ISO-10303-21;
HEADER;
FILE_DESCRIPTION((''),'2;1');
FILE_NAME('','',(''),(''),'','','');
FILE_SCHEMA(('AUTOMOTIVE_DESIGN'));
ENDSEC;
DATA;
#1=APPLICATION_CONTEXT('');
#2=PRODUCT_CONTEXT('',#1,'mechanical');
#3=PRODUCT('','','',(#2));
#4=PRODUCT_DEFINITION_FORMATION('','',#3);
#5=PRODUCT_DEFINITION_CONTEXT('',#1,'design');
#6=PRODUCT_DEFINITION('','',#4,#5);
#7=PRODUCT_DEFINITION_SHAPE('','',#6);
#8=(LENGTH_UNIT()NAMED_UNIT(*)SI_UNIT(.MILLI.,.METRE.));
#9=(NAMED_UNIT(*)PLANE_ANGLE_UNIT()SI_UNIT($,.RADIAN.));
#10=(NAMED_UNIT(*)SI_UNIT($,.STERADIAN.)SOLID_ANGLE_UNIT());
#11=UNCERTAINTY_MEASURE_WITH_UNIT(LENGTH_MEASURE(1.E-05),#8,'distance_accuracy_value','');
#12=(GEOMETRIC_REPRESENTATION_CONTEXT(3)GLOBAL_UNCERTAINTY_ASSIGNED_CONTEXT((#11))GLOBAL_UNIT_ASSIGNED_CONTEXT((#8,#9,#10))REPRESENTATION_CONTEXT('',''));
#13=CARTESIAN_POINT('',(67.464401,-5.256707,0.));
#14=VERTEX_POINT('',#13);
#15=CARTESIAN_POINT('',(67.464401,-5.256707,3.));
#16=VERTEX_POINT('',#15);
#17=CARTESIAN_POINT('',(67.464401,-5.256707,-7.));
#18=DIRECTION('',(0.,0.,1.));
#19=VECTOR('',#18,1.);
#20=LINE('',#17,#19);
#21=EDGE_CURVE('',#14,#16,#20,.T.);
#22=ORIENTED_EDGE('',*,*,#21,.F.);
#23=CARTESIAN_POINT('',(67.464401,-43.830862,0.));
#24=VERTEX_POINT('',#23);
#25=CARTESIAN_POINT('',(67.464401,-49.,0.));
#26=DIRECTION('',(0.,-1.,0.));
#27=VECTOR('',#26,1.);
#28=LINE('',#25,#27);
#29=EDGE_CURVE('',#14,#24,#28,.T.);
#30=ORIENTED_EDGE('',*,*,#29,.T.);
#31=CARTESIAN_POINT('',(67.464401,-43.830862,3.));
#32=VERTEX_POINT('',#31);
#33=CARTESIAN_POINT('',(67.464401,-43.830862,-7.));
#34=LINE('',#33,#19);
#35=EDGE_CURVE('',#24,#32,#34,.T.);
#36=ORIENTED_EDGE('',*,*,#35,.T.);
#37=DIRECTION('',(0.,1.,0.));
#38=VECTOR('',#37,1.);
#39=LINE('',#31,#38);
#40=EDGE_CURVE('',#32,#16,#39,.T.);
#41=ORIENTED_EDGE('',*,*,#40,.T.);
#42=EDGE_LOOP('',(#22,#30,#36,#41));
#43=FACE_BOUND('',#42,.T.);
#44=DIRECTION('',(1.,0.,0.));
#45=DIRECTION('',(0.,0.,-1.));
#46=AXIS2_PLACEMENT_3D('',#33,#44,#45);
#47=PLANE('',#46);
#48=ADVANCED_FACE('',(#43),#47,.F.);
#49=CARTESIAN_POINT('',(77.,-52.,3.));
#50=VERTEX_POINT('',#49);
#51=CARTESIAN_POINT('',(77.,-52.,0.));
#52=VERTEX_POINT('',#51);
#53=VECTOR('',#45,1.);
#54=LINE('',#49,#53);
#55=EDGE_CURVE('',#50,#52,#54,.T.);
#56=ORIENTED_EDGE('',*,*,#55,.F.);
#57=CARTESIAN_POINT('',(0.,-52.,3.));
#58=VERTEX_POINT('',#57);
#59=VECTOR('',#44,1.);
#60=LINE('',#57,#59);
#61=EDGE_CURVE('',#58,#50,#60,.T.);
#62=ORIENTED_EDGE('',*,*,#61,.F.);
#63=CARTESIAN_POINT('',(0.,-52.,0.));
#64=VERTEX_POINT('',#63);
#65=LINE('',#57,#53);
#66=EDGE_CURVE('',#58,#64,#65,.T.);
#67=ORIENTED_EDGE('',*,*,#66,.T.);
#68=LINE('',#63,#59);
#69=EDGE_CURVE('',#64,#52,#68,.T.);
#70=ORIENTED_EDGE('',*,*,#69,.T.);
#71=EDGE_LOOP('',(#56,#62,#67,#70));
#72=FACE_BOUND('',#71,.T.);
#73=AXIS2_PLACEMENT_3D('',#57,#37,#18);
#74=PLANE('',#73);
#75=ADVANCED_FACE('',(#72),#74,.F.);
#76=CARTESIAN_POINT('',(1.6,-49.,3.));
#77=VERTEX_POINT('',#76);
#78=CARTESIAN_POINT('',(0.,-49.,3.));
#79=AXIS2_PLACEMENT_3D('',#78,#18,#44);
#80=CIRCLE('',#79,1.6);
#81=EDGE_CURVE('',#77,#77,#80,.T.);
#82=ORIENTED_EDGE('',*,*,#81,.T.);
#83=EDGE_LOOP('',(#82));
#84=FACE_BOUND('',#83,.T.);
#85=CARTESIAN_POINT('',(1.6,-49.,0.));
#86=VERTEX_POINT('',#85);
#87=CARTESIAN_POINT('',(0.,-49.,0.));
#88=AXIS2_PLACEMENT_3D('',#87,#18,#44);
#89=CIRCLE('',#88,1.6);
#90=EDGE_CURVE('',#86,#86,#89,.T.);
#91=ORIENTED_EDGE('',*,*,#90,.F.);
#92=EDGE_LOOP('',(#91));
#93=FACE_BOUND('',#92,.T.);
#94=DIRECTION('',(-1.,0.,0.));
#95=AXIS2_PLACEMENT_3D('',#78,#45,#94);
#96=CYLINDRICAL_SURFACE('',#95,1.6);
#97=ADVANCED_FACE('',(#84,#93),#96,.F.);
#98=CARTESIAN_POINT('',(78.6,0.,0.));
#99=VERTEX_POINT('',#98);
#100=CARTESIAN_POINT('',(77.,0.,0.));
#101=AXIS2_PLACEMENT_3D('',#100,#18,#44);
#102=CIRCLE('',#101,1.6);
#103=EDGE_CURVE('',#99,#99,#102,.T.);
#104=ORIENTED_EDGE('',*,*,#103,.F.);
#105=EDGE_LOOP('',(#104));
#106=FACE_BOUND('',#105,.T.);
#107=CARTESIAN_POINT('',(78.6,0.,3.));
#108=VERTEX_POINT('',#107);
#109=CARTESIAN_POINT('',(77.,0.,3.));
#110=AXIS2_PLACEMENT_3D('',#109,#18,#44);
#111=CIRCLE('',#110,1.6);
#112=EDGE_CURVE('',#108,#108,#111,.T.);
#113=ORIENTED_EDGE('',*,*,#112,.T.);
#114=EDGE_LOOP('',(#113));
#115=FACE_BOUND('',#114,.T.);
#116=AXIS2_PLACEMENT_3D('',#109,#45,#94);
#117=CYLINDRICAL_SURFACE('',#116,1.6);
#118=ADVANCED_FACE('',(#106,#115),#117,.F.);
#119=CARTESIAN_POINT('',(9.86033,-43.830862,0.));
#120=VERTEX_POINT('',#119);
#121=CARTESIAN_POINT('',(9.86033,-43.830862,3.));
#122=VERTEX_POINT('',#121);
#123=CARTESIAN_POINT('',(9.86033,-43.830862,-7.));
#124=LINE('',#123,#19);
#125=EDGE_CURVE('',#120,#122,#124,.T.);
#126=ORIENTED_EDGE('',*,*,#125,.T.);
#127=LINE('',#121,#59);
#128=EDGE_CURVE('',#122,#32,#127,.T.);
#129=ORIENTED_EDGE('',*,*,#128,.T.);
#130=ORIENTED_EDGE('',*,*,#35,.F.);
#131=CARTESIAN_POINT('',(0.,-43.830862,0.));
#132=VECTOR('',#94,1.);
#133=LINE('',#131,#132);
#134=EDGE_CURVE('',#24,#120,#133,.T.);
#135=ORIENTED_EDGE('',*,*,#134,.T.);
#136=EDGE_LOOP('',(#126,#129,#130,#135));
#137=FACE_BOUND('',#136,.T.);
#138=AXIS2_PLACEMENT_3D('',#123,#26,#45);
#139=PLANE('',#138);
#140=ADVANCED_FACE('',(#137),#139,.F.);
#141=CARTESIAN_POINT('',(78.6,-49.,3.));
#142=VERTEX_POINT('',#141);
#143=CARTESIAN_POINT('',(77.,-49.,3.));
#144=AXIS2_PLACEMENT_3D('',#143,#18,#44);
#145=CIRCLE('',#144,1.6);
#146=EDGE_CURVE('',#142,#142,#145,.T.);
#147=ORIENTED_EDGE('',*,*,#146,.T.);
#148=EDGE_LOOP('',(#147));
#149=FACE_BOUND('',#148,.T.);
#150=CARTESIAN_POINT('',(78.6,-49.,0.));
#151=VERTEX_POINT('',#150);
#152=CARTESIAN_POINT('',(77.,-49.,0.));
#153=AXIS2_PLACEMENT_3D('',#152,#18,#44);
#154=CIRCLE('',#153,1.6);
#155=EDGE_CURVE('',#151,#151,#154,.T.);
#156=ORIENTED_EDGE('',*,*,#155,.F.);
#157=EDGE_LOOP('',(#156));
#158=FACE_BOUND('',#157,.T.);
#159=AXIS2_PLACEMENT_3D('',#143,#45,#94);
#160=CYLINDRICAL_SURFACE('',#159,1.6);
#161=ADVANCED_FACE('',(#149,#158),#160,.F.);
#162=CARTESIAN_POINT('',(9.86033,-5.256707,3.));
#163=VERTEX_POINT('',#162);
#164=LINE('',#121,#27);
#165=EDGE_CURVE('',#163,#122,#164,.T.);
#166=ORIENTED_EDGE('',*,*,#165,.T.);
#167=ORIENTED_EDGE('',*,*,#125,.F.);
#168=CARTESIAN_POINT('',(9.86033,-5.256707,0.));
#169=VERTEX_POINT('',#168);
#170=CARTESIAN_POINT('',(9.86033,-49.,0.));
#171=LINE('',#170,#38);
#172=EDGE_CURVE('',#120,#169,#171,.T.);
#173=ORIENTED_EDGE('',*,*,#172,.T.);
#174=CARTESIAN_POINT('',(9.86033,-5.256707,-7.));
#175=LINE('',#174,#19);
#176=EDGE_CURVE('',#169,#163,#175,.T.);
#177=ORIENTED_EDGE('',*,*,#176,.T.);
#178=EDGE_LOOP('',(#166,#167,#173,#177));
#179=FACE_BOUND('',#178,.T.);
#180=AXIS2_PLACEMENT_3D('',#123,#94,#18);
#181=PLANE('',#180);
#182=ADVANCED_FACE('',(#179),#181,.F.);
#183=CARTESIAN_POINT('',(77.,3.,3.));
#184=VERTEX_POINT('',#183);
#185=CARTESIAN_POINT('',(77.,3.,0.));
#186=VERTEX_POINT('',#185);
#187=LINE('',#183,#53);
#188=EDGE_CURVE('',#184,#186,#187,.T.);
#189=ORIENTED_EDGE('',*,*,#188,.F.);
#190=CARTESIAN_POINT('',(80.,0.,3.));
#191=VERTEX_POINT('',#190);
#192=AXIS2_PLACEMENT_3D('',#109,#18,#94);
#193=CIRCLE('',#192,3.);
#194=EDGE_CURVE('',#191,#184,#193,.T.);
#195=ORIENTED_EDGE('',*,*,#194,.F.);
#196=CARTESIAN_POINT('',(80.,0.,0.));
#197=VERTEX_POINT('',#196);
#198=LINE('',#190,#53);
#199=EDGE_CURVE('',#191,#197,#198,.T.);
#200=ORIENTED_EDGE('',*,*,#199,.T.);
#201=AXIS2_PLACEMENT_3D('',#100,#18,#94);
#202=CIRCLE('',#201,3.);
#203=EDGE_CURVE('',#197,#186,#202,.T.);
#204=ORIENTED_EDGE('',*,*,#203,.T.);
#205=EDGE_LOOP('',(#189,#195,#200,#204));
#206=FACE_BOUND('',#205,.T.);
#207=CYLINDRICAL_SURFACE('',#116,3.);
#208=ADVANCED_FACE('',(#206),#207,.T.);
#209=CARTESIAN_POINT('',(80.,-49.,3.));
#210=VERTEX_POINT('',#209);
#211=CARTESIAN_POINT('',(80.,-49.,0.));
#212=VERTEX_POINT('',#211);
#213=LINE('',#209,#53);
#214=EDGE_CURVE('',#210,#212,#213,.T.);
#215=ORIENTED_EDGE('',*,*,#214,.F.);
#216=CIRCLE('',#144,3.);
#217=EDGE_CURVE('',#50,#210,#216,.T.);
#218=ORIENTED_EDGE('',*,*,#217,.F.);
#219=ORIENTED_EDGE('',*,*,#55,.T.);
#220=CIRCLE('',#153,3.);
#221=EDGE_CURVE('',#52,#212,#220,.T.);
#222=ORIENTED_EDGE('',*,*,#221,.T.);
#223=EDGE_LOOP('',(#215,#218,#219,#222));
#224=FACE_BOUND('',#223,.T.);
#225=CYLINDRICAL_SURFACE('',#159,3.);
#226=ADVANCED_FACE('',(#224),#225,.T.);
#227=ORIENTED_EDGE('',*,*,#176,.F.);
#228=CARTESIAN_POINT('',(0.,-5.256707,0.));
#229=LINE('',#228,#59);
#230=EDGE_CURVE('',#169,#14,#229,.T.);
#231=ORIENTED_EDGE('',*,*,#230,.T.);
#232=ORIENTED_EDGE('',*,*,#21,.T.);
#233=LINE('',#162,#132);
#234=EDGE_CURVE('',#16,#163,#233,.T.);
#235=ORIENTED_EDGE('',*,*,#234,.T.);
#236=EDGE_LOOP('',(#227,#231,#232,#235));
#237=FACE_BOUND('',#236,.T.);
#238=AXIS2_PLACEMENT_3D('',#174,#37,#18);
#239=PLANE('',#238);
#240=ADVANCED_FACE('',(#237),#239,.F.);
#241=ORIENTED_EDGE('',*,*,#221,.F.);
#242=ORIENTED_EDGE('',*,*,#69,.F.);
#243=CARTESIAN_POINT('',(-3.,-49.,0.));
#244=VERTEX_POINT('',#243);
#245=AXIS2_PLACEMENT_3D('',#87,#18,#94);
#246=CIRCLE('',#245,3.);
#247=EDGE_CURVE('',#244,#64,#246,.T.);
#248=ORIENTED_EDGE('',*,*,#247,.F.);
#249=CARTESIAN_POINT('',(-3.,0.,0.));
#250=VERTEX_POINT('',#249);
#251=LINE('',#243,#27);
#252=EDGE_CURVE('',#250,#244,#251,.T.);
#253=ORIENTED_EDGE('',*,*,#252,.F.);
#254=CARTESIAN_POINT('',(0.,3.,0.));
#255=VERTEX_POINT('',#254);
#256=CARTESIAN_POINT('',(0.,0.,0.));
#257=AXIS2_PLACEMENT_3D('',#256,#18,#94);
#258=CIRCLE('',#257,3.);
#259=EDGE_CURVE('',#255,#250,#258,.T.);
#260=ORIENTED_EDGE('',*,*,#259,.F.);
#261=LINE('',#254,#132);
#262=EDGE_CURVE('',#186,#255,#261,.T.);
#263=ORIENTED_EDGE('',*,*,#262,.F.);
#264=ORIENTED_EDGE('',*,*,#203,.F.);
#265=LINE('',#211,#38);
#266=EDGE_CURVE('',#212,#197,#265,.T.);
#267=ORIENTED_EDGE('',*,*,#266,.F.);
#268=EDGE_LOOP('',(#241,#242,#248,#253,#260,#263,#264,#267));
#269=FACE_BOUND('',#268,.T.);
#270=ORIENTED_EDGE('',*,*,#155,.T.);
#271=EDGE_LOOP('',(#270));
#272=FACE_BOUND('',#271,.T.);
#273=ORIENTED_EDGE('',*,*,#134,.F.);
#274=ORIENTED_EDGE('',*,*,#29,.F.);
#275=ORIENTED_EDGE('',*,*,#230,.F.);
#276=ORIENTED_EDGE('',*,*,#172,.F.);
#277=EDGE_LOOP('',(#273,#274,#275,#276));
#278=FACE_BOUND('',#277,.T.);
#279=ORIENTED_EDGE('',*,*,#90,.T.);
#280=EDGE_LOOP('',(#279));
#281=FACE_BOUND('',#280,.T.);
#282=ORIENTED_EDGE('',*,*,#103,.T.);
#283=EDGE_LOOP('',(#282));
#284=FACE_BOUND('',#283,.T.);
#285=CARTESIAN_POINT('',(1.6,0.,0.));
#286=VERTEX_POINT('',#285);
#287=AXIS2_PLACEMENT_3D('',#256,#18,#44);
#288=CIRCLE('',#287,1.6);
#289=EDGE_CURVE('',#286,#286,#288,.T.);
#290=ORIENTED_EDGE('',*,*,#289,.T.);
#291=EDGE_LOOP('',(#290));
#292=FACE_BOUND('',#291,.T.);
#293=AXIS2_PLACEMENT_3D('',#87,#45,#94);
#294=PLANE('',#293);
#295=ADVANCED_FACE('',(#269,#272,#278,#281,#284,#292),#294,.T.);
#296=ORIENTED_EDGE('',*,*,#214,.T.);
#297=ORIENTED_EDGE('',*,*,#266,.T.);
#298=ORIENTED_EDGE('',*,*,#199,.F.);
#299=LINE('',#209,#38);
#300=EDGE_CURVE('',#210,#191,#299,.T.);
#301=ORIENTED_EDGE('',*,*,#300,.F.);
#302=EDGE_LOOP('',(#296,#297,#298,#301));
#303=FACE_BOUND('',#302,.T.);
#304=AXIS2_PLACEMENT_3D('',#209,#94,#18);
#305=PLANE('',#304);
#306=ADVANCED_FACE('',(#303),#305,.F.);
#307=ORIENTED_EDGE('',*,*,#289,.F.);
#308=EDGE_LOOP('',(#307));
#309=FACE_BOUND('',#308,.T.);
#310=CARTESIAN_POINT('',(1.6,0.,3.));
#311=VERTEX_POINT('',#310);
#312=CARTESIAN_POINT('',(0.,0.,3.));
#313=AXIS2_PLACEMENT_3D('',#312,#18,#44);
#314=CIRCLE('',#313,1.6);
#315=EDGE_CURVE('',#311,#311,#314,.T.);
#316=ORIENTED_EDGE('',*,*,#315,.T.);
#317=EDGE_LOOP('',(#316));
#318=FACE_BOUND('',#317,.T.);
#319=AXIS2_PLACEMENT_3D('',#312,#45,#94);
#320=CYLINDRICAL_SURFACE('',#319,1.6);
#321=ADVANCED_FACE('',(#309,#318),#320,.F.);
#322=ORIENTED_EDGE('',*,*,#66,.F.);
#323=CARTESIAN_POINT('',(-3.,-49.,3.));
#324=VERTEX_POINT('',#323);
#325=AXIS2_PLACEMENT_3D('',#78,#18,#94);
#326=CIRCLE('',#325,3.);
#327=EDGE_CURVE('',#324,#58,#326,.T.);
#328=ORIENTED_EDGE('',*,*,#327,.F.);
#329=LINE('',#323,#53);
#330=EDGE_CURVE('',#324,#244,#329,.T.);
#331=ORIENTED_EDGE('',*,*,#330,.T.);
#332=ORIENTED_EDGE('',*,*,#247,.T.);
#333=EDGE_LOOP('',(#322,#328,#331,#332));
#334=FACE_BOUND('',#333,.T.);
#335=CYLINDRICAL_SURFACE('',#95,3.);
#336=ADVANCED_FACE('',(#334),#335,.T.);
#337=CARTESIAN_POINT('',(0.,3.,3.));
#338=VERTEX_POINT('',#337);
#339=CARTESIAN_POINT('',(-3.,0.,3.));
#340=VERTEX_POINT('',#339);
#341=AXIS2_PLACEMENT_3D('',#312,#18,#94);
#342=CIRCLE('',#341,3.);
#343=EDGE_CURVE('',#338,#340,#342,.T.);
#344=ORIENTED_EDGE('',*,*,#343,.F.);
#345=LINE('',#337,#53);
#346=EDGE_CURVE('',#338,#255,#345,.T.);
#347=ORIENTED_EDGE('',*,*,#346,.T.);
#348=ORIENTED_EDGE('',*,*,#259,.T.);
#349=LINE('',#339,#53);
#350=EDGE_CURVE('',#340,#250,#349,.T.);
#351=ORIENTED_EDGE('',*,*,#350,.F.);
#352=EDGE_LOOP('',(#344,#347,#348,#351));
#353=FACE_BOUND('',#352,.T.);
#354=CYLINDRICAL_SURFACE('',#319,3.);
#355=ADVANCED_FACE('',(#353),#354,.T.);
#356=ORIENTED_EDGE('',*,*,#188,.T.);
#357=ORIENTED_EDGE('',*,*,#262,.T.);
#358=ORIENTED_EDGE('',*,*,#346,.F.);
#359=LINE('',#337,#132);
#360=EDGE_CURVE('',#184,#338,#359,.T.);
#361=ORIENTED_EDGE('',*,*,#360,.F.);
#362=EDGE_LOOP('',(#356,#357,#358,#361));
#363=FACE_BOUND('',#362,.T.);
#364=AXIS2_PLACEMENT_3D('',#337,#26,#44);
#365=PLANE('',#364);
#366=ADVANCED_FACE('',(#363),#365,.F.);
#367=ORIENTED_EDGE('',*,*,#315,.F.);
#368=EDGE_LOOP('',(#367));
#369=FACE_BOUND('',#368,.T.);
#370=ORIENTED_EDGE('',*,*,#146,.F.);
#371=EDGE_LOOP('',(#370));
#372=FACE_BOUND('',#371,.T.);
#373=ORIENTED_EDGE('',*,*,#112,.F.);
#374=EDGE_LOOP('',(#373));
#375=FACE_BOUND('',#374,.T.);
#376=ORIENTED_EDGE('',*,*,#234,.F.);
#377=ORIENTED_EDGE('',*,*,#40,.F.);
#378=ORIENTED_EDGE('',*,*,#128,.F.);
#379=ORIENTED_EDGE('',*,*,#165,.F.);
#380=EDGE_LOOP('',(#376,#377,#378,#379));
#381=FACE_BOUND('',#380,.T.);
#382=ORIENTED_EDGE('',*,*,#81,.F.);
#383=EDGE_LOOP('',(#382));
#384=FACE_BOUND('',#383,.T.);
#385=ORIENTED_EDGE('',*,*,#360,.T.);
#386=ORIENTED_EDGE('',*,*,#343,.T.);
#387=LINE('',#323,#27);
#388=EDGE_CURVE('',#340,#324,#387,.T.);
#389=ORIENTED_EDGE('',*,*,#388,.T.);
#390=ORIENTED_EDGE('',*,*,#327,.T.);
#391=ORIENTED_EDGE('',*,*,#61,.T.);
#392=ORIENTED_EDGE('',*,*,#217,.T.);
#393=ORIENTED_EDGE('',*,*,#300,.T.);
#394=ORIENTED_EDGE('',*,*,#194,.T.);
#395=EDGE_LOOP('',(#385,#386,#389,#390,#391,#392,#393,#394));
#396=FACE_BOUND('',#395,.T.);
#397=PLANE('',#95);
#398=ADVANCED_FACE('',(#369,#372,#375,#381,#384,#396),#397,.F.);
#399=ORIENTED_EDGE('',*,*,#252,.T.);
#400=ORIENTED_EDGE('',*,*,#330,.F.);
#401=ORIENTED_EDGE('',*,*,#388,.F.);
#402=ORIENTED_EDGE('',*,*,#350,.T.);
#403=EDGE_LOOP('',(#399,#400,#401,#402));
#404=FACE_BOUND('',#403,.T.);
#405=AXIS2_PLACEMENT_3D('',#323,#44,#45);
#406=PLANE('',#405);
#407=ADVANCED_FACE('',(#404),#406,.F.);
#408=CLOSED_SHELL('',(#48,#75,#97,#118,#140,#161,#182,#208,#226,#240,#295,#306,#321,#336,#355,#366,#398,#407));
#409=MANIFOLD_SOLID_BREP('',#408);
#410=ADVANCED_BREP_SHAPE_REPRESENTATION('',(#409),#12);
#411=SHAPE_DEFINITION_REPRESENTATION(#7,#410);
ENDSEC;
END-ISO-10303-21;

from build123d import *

# Parameters (mm, degrees)
SKETCH_1_R          = 1.6
EXTRUDE_1_DEPTH     = 3
SKETCH_3_W          = 57.604070615
SKETCH_3_H          = 38.574154429
CUT_EXTRUDE_1_DEPTH = 10


with BuildPart() as part:
    # 草图1 → 凸台-拉伸1 (new body)
    with BuildSketch(Plane.XY):
        with BuildLine():
            Line((0, -52), (77, -52))
            ThreePointArc((77, -52), (79.121320344, -51.121320344), (80, -49))
            Line((80, -49), (80, 0))
            ThreePointArc((80, 0), (79.121320344, 2.121320344), (77, 3))
            Line((77, 3), (0, 3))
            ThreePointArc((0, 3), (-2.121320344, 2.121320344), (-3, 0))
            Line((-3, 0), (-3, -49))
            ThreePointArc((-3, -49), (-2.121320344, -51.121320344), (0, -52))
        make_face()
        Circle(SKETCH_1_R, mode=Mode.SUBTRACT)
        with Locations((77, 0)):
            Circle(SKETCH_1_R, mode=Mode.SUBTRACT)
        with Locations((0, -49)):
            Circle(SKETCH_1_R, mode=Mode.SUBTRACT)
        with Locations((77, -49)):
            Circle(SKETCH_1_R, mode=Mode.SUBTRACT)
        with BuildLine():
            Line((16.5, -41.5), (60.5, -41.5))
            ThreePointArc((60.5, -41.5), (62.621320344, -40.621320344), (63.5, -38.5))
            Line((63.5, -38.5), (63.5, -10.5))
            ThreePointArc((63.5, -10.5), (62.621320344, -8.378679656), (60.5, -7.5))
            Line((60.5, -7.5), (16.5, -7.5))
            ThreePointArc((16.5, -7.5), (14.378679656, -8.378679656), (13.5, -10.5))
            Line((13.5, -10.5), (13.5, -38.5))
            ThreePointArc((13.5, -38.5), (14.378679656, -40.621320344), (16.5, -41.5))
        make_face(mode=Mode.SUBTRACT)
    extrude(amount=EXTRUDE_1_DEPTH)

    # 草图3 → 切除-拉伸1 (cut)
    with BuildSketch(Plane.XY.offset(3)):
        with Locations((38.662365372, -24.543784479)):
            Rectangle(SKETCH_3_W, SKETCH_3_H)
    extrude(amount=-CUT_EXTRUDE_1_DEPTH, mode=Mode.SUBTRACT)


solid = part.part
